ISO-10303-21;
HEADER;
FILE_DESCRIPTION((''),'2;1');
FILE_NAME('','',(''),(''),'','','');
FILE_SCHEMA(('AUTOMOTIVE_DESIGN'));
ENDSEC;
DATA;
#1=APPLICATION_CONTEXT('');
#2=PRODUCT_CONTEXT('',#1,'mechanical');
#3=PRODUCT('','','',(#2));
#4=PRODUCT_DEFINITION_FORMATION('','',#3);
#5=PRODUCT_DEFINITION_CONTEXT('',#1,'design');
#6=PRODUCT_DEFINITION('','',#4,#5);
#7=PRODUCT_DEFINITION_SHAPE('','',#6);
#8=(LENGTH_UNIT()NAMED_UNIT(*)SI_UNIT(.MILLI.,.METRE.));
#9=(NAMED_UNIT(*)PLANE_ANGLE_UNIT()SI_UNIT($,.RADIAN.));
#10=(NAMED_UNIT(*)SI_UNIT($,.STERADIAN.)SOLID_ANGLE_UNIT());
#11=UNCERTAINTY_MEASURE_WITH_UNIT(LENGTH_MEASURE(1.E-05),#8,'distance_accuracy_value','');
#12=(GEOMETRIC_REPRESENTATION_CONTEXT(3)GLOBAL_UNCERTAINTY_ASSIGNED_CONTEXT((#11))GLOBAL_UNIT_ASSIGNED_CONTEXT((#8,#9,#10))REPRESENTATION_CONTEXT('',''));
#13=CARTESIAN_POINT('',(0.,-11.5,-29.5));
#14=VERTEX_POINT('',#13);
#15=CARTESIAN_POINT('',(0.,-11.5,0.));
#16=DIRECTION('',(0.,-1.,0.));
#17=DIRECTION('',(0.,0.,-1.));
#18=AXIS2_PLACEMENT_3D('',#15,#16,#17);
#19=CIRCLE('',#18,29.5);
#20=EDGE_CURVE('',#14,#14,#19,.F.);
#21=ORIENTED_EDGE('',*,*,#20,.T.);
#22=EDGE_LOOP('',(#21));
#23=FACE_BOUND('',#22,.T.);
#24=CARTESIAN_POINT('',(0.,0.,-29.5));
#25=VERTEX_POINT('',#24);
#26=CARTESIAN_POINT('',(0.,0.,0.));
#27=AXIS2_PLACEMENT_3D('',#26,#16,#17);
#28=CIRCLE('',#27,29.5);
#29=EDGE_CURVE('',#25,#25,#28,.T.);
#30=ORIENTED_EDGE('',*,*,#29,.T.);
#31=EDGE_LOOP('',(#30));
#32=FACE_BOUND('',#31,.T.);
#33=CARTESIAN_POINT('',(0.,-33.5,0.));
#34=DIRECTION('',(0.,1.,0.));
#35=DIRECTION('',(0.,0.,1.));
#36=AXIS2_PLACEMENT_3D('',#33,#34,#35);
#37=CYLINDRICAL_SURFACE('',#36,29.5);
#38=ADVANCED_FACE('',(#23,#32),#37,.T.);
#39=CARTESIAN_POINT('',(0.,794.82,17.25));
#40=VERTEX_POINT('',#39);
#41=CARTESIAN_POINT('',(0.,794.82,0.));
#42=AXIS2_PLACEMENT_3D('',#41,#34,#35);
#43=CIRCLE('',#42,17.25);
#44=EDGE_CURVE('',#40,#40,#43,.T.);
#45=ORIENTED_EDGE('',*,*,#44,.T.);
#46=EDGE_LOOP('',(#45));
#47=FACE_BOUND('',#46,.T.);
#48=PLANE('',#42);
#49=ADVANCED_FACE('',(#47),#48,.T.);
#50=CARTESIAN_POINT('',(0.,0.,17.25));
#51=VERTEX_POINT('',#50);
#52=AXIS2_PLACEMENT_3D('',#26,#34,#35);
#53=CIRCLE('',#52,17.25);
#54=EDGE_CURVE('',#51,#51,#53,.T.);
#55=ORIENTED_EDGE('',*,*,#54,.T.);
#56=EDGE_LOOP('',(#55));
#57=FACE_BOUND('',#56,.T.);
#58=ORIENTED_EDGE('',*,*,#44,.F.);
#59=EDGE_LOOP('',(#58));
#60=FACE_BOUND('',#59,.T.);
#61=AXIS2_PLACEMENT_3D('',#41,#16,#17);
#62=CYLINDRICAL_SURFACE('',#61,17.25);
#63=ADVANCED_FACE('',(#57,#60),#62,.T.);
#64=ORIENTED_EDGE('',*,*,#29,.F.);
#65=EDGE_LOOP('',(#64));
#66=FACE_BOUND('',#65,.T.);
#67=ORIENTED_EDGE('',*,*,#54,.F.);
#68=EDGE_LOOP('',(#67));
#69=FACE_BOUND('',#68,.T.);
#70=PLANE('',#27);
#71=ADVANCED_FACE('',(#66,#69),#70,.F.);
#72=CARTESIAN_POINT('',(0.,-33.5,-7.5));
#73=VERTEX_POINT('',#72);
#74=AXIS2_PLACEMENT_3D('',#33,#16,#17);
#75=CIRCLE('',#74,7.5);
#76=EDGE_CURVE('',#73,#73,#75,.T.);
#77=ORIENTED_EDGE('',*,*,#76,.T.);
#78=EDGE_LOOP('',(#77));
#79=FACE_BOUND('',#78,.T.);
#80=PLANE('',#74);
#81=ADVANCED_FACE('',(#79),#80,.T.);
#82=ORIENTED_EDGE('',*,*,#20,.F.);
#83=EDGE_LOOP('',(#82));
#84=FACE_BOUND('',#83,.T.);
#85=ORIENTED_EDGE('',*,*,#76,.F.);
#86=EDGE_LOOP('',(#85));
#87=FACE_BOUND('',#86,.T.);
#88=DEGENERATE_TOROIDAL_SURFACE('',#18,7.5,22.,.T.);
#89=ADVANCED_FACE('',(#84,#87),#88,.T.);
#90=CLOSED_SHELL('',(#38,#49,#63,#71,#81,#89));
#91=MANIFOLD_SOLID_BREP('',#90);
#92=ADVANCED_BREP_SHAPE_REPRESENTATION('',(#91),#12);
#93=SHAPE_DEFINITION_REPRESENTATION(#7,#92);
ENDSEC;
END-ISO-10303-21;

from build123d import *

# Parameters (mm, degrees)
CROQUIS2_R              = 17.25
SALIENTE_EXTRUIR1_DEPTH = 794.82
CROQUIS4_R              = 29.5
SALIENTE_EXTRUIR2_DEPTH = 33.5
REDONDEO2_R             = 22


with BuildPart() as part:
    # Croquis2 → Saliente-Extruir1 (new body)
    with BuildSketch(Plane(origin=(0, 0, 0), x_dir=(1, 0, 0), z_dir=(0, 1, 0))):
        with Locations(Location((0, 0, 0), (0, 0, 270))):
            Circle(CROQUIS2_R)
    extrude(amount=SALIENTE_EXTRUIR1_DEPTH)

    # Croquis4 → Saliente-Extruir2 (add)
    with BuildSketch(Plane.XZ):
        with Locations(Location((0, 0, 0), (0, 0, 270))):
            Circle(CROQUIS4_R)
    extrude(amount=SALIENTE_EXTRUIR2_DEPTH)

    # Redondeo2
    redondeo2_edges = [part.edges().sort_by_distance(p)[0] for p in [
        (0, -33.5, 29.5),
    ]]
    fillet(redondeo2_edges, radius=REDONDEO2_R)


solid = part.part
